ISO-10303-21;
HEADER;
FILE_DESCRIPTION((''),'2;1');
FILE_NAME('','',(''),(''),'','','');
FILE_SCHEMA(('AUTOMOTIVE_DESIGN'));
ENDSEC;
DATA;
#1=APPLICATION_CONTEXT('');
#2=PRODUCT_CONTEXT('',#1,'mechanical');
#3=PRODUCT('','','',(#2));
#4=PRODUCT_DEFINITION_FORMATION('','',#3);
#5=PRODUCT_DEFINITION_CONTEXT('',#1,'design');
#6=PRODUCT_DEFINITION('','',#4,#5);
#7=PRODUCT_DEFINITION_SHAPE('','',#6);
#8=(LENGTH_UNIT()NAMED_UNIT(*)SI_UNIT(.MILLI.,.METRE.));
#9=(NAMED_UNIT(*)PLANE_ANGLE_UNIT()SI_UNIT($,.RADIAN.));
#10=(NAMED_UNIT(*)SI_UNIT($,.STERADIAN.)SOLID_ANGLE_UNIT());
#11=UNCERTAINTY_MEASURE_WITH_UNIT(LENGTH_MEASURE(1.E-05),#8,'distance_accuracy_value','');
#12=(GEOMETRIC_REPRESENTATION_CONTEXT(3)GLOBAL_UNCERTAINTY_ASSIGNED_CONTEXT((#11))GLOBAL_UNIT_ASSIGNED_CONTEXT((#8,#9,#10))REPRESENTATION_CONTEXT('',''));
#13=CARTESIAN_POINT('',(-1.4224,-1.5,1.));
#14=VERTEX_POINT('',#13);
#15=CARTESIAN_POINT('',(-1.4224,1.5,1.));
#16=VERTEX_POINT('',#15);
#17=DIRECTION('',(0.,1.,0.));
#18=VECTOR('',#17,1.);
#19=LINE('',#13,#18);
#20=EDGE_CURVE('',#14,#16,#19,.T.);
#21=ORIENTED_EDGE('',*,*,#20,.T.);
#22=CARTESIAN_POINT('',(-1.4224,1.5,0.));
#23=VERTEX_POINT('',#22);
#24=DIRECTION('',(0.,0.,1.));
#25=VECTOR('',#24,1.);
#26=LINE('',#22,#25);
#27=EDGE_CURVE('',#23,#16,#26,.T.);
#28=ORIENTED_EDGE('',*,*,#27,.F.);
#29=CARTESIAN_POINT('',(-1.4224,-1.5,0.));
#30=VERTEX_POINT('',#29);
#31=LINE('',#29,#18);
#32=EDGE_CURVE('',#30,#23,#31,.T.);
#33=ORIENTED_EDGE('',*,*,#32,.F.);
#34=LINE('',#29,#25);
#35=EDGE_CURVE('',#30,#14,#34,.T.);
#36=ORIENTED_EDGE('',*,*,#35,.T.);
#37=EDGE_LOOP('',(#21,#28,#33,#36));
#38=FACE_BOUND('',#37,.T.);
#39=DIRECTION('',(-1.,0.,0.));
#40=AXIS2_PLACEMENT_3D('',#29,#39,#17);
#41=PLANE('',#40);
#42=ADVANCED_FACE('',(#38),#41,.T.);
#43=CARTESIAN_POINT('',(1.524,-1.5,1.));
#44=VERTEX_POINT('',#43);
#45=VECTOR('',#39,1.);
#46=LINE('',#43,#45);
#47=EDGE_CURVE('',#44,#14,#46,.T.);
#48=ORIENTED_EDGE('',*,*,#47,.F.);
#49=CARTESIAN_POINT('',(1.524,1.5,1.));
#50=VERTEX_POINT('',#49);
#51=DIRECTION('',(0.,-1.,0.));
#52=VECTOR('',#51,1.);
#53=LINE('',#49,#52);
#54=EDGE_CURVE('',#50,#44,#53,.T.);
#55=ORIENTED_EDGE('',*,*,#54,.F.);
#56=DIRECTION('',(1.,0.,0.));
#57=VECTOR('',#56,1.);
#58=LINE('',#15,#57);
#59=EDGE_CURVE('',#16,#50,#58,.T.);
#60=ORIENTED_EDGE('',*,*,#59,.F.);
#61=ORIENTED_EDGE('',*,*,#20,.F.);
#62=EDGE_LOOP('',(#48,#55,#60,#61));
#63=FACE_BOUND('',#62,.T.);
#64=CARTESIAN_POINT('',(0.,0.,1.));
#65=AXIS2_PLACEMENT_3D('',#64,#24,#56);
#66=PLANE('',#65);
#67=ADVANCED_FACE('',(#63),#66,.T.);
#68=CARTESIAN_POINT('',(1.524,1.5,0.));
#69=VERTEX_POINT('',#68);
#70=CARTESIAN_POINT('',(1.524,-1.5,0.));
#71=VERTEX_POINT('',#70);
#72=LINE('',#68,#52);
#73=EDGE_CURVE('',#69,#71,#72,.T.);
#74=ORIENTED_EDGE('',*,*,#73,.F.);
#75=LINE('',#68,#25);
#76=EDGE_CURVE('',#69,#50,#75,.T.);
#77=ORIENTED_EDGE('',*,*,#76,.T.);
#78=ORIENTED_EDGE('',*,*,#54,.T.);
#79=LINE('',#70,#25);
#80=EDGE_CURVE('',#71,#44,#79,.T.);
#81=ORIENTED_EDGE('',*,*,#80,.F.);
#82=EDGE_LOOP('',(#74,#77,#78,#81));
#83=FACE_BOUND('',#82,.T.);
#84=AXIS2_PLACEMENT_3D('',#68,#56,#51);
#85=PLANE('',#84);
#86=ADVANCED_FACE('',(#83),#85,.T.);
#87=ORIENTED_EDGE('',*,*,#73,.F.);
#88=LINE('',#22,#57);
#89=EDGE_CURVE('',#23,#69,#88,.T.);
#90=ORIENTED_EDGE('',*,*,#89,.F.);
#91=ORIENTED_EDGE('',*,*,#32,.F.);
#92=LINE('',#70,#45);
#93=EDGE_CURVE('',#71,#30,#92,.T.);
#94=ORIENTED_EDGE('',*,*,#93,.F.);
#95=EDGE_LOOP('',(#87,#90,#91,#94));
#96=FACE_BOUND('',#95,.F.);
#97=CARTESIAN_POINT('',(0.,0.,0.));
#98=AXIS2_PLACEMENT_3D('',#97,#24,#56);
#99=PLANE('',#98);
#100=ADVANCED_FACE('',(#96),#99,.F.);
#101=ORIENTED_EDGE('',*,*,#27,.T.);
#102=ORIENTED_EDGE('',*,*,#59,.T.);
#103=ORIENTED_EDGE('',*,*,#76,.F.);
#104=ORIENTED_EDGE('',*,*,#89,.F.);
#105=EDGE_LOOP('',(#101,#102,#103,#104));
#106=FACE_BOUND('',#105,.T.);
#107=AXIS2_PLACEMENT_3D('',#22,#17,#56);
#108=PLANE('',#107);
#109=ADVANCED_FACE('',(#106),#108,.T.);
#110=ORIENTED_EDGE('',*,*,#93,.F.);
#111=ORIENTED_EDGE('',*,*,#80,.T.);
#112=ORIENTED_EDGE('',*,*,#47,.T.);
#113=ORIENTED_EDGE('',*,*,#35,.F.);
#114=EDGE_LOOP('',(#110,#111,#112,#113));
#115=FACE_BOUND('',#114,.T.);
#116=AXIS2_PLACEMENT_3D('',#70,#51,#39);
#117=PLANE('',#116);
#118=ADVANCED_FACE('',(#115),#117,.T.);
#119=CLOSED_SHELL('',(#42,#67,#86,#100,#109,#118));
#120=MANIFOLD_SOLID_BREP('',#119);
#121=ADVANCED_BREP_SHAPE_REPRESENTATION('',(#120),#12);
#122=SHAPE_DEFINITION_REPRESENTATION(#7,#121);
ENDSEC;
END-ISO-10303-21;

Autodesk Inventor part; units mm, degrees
ref_plane "YZ Plane" through (0, 0, 0) normal (1, 0, 0) x (0, 1, 0)
ref_plane "XZ Plane" through (0, 0, 0) normal (0, 1, 0) x (-1, 0, 0)
ref_plane "XY Plane" through (0, 0, 0) normal (0, 0, 1) x (1, 0, 0)
sketch "SOT23-5, MCP6021T-E_OT_71" plane through (0, 0, 0) normal (0, 0, 1) x (1, 0, 0)
  line L0 (-1.4224, 1.5) -> (1.524, 1.5)
  line L1 (1.524, 1.5) -> (1.524, -1.5)
  line L2 (1.524, -1.5) -> (-1.4224, -1.5)
  line L3 (-1.4224, -1.5) -> (-1.4224, 1.5)
extrude "Extrusion1" add sketch "SOT23-5, MCP6021T-E_OT_71" along normal blind 1
properties part number "MCP6021T-E_OT"
